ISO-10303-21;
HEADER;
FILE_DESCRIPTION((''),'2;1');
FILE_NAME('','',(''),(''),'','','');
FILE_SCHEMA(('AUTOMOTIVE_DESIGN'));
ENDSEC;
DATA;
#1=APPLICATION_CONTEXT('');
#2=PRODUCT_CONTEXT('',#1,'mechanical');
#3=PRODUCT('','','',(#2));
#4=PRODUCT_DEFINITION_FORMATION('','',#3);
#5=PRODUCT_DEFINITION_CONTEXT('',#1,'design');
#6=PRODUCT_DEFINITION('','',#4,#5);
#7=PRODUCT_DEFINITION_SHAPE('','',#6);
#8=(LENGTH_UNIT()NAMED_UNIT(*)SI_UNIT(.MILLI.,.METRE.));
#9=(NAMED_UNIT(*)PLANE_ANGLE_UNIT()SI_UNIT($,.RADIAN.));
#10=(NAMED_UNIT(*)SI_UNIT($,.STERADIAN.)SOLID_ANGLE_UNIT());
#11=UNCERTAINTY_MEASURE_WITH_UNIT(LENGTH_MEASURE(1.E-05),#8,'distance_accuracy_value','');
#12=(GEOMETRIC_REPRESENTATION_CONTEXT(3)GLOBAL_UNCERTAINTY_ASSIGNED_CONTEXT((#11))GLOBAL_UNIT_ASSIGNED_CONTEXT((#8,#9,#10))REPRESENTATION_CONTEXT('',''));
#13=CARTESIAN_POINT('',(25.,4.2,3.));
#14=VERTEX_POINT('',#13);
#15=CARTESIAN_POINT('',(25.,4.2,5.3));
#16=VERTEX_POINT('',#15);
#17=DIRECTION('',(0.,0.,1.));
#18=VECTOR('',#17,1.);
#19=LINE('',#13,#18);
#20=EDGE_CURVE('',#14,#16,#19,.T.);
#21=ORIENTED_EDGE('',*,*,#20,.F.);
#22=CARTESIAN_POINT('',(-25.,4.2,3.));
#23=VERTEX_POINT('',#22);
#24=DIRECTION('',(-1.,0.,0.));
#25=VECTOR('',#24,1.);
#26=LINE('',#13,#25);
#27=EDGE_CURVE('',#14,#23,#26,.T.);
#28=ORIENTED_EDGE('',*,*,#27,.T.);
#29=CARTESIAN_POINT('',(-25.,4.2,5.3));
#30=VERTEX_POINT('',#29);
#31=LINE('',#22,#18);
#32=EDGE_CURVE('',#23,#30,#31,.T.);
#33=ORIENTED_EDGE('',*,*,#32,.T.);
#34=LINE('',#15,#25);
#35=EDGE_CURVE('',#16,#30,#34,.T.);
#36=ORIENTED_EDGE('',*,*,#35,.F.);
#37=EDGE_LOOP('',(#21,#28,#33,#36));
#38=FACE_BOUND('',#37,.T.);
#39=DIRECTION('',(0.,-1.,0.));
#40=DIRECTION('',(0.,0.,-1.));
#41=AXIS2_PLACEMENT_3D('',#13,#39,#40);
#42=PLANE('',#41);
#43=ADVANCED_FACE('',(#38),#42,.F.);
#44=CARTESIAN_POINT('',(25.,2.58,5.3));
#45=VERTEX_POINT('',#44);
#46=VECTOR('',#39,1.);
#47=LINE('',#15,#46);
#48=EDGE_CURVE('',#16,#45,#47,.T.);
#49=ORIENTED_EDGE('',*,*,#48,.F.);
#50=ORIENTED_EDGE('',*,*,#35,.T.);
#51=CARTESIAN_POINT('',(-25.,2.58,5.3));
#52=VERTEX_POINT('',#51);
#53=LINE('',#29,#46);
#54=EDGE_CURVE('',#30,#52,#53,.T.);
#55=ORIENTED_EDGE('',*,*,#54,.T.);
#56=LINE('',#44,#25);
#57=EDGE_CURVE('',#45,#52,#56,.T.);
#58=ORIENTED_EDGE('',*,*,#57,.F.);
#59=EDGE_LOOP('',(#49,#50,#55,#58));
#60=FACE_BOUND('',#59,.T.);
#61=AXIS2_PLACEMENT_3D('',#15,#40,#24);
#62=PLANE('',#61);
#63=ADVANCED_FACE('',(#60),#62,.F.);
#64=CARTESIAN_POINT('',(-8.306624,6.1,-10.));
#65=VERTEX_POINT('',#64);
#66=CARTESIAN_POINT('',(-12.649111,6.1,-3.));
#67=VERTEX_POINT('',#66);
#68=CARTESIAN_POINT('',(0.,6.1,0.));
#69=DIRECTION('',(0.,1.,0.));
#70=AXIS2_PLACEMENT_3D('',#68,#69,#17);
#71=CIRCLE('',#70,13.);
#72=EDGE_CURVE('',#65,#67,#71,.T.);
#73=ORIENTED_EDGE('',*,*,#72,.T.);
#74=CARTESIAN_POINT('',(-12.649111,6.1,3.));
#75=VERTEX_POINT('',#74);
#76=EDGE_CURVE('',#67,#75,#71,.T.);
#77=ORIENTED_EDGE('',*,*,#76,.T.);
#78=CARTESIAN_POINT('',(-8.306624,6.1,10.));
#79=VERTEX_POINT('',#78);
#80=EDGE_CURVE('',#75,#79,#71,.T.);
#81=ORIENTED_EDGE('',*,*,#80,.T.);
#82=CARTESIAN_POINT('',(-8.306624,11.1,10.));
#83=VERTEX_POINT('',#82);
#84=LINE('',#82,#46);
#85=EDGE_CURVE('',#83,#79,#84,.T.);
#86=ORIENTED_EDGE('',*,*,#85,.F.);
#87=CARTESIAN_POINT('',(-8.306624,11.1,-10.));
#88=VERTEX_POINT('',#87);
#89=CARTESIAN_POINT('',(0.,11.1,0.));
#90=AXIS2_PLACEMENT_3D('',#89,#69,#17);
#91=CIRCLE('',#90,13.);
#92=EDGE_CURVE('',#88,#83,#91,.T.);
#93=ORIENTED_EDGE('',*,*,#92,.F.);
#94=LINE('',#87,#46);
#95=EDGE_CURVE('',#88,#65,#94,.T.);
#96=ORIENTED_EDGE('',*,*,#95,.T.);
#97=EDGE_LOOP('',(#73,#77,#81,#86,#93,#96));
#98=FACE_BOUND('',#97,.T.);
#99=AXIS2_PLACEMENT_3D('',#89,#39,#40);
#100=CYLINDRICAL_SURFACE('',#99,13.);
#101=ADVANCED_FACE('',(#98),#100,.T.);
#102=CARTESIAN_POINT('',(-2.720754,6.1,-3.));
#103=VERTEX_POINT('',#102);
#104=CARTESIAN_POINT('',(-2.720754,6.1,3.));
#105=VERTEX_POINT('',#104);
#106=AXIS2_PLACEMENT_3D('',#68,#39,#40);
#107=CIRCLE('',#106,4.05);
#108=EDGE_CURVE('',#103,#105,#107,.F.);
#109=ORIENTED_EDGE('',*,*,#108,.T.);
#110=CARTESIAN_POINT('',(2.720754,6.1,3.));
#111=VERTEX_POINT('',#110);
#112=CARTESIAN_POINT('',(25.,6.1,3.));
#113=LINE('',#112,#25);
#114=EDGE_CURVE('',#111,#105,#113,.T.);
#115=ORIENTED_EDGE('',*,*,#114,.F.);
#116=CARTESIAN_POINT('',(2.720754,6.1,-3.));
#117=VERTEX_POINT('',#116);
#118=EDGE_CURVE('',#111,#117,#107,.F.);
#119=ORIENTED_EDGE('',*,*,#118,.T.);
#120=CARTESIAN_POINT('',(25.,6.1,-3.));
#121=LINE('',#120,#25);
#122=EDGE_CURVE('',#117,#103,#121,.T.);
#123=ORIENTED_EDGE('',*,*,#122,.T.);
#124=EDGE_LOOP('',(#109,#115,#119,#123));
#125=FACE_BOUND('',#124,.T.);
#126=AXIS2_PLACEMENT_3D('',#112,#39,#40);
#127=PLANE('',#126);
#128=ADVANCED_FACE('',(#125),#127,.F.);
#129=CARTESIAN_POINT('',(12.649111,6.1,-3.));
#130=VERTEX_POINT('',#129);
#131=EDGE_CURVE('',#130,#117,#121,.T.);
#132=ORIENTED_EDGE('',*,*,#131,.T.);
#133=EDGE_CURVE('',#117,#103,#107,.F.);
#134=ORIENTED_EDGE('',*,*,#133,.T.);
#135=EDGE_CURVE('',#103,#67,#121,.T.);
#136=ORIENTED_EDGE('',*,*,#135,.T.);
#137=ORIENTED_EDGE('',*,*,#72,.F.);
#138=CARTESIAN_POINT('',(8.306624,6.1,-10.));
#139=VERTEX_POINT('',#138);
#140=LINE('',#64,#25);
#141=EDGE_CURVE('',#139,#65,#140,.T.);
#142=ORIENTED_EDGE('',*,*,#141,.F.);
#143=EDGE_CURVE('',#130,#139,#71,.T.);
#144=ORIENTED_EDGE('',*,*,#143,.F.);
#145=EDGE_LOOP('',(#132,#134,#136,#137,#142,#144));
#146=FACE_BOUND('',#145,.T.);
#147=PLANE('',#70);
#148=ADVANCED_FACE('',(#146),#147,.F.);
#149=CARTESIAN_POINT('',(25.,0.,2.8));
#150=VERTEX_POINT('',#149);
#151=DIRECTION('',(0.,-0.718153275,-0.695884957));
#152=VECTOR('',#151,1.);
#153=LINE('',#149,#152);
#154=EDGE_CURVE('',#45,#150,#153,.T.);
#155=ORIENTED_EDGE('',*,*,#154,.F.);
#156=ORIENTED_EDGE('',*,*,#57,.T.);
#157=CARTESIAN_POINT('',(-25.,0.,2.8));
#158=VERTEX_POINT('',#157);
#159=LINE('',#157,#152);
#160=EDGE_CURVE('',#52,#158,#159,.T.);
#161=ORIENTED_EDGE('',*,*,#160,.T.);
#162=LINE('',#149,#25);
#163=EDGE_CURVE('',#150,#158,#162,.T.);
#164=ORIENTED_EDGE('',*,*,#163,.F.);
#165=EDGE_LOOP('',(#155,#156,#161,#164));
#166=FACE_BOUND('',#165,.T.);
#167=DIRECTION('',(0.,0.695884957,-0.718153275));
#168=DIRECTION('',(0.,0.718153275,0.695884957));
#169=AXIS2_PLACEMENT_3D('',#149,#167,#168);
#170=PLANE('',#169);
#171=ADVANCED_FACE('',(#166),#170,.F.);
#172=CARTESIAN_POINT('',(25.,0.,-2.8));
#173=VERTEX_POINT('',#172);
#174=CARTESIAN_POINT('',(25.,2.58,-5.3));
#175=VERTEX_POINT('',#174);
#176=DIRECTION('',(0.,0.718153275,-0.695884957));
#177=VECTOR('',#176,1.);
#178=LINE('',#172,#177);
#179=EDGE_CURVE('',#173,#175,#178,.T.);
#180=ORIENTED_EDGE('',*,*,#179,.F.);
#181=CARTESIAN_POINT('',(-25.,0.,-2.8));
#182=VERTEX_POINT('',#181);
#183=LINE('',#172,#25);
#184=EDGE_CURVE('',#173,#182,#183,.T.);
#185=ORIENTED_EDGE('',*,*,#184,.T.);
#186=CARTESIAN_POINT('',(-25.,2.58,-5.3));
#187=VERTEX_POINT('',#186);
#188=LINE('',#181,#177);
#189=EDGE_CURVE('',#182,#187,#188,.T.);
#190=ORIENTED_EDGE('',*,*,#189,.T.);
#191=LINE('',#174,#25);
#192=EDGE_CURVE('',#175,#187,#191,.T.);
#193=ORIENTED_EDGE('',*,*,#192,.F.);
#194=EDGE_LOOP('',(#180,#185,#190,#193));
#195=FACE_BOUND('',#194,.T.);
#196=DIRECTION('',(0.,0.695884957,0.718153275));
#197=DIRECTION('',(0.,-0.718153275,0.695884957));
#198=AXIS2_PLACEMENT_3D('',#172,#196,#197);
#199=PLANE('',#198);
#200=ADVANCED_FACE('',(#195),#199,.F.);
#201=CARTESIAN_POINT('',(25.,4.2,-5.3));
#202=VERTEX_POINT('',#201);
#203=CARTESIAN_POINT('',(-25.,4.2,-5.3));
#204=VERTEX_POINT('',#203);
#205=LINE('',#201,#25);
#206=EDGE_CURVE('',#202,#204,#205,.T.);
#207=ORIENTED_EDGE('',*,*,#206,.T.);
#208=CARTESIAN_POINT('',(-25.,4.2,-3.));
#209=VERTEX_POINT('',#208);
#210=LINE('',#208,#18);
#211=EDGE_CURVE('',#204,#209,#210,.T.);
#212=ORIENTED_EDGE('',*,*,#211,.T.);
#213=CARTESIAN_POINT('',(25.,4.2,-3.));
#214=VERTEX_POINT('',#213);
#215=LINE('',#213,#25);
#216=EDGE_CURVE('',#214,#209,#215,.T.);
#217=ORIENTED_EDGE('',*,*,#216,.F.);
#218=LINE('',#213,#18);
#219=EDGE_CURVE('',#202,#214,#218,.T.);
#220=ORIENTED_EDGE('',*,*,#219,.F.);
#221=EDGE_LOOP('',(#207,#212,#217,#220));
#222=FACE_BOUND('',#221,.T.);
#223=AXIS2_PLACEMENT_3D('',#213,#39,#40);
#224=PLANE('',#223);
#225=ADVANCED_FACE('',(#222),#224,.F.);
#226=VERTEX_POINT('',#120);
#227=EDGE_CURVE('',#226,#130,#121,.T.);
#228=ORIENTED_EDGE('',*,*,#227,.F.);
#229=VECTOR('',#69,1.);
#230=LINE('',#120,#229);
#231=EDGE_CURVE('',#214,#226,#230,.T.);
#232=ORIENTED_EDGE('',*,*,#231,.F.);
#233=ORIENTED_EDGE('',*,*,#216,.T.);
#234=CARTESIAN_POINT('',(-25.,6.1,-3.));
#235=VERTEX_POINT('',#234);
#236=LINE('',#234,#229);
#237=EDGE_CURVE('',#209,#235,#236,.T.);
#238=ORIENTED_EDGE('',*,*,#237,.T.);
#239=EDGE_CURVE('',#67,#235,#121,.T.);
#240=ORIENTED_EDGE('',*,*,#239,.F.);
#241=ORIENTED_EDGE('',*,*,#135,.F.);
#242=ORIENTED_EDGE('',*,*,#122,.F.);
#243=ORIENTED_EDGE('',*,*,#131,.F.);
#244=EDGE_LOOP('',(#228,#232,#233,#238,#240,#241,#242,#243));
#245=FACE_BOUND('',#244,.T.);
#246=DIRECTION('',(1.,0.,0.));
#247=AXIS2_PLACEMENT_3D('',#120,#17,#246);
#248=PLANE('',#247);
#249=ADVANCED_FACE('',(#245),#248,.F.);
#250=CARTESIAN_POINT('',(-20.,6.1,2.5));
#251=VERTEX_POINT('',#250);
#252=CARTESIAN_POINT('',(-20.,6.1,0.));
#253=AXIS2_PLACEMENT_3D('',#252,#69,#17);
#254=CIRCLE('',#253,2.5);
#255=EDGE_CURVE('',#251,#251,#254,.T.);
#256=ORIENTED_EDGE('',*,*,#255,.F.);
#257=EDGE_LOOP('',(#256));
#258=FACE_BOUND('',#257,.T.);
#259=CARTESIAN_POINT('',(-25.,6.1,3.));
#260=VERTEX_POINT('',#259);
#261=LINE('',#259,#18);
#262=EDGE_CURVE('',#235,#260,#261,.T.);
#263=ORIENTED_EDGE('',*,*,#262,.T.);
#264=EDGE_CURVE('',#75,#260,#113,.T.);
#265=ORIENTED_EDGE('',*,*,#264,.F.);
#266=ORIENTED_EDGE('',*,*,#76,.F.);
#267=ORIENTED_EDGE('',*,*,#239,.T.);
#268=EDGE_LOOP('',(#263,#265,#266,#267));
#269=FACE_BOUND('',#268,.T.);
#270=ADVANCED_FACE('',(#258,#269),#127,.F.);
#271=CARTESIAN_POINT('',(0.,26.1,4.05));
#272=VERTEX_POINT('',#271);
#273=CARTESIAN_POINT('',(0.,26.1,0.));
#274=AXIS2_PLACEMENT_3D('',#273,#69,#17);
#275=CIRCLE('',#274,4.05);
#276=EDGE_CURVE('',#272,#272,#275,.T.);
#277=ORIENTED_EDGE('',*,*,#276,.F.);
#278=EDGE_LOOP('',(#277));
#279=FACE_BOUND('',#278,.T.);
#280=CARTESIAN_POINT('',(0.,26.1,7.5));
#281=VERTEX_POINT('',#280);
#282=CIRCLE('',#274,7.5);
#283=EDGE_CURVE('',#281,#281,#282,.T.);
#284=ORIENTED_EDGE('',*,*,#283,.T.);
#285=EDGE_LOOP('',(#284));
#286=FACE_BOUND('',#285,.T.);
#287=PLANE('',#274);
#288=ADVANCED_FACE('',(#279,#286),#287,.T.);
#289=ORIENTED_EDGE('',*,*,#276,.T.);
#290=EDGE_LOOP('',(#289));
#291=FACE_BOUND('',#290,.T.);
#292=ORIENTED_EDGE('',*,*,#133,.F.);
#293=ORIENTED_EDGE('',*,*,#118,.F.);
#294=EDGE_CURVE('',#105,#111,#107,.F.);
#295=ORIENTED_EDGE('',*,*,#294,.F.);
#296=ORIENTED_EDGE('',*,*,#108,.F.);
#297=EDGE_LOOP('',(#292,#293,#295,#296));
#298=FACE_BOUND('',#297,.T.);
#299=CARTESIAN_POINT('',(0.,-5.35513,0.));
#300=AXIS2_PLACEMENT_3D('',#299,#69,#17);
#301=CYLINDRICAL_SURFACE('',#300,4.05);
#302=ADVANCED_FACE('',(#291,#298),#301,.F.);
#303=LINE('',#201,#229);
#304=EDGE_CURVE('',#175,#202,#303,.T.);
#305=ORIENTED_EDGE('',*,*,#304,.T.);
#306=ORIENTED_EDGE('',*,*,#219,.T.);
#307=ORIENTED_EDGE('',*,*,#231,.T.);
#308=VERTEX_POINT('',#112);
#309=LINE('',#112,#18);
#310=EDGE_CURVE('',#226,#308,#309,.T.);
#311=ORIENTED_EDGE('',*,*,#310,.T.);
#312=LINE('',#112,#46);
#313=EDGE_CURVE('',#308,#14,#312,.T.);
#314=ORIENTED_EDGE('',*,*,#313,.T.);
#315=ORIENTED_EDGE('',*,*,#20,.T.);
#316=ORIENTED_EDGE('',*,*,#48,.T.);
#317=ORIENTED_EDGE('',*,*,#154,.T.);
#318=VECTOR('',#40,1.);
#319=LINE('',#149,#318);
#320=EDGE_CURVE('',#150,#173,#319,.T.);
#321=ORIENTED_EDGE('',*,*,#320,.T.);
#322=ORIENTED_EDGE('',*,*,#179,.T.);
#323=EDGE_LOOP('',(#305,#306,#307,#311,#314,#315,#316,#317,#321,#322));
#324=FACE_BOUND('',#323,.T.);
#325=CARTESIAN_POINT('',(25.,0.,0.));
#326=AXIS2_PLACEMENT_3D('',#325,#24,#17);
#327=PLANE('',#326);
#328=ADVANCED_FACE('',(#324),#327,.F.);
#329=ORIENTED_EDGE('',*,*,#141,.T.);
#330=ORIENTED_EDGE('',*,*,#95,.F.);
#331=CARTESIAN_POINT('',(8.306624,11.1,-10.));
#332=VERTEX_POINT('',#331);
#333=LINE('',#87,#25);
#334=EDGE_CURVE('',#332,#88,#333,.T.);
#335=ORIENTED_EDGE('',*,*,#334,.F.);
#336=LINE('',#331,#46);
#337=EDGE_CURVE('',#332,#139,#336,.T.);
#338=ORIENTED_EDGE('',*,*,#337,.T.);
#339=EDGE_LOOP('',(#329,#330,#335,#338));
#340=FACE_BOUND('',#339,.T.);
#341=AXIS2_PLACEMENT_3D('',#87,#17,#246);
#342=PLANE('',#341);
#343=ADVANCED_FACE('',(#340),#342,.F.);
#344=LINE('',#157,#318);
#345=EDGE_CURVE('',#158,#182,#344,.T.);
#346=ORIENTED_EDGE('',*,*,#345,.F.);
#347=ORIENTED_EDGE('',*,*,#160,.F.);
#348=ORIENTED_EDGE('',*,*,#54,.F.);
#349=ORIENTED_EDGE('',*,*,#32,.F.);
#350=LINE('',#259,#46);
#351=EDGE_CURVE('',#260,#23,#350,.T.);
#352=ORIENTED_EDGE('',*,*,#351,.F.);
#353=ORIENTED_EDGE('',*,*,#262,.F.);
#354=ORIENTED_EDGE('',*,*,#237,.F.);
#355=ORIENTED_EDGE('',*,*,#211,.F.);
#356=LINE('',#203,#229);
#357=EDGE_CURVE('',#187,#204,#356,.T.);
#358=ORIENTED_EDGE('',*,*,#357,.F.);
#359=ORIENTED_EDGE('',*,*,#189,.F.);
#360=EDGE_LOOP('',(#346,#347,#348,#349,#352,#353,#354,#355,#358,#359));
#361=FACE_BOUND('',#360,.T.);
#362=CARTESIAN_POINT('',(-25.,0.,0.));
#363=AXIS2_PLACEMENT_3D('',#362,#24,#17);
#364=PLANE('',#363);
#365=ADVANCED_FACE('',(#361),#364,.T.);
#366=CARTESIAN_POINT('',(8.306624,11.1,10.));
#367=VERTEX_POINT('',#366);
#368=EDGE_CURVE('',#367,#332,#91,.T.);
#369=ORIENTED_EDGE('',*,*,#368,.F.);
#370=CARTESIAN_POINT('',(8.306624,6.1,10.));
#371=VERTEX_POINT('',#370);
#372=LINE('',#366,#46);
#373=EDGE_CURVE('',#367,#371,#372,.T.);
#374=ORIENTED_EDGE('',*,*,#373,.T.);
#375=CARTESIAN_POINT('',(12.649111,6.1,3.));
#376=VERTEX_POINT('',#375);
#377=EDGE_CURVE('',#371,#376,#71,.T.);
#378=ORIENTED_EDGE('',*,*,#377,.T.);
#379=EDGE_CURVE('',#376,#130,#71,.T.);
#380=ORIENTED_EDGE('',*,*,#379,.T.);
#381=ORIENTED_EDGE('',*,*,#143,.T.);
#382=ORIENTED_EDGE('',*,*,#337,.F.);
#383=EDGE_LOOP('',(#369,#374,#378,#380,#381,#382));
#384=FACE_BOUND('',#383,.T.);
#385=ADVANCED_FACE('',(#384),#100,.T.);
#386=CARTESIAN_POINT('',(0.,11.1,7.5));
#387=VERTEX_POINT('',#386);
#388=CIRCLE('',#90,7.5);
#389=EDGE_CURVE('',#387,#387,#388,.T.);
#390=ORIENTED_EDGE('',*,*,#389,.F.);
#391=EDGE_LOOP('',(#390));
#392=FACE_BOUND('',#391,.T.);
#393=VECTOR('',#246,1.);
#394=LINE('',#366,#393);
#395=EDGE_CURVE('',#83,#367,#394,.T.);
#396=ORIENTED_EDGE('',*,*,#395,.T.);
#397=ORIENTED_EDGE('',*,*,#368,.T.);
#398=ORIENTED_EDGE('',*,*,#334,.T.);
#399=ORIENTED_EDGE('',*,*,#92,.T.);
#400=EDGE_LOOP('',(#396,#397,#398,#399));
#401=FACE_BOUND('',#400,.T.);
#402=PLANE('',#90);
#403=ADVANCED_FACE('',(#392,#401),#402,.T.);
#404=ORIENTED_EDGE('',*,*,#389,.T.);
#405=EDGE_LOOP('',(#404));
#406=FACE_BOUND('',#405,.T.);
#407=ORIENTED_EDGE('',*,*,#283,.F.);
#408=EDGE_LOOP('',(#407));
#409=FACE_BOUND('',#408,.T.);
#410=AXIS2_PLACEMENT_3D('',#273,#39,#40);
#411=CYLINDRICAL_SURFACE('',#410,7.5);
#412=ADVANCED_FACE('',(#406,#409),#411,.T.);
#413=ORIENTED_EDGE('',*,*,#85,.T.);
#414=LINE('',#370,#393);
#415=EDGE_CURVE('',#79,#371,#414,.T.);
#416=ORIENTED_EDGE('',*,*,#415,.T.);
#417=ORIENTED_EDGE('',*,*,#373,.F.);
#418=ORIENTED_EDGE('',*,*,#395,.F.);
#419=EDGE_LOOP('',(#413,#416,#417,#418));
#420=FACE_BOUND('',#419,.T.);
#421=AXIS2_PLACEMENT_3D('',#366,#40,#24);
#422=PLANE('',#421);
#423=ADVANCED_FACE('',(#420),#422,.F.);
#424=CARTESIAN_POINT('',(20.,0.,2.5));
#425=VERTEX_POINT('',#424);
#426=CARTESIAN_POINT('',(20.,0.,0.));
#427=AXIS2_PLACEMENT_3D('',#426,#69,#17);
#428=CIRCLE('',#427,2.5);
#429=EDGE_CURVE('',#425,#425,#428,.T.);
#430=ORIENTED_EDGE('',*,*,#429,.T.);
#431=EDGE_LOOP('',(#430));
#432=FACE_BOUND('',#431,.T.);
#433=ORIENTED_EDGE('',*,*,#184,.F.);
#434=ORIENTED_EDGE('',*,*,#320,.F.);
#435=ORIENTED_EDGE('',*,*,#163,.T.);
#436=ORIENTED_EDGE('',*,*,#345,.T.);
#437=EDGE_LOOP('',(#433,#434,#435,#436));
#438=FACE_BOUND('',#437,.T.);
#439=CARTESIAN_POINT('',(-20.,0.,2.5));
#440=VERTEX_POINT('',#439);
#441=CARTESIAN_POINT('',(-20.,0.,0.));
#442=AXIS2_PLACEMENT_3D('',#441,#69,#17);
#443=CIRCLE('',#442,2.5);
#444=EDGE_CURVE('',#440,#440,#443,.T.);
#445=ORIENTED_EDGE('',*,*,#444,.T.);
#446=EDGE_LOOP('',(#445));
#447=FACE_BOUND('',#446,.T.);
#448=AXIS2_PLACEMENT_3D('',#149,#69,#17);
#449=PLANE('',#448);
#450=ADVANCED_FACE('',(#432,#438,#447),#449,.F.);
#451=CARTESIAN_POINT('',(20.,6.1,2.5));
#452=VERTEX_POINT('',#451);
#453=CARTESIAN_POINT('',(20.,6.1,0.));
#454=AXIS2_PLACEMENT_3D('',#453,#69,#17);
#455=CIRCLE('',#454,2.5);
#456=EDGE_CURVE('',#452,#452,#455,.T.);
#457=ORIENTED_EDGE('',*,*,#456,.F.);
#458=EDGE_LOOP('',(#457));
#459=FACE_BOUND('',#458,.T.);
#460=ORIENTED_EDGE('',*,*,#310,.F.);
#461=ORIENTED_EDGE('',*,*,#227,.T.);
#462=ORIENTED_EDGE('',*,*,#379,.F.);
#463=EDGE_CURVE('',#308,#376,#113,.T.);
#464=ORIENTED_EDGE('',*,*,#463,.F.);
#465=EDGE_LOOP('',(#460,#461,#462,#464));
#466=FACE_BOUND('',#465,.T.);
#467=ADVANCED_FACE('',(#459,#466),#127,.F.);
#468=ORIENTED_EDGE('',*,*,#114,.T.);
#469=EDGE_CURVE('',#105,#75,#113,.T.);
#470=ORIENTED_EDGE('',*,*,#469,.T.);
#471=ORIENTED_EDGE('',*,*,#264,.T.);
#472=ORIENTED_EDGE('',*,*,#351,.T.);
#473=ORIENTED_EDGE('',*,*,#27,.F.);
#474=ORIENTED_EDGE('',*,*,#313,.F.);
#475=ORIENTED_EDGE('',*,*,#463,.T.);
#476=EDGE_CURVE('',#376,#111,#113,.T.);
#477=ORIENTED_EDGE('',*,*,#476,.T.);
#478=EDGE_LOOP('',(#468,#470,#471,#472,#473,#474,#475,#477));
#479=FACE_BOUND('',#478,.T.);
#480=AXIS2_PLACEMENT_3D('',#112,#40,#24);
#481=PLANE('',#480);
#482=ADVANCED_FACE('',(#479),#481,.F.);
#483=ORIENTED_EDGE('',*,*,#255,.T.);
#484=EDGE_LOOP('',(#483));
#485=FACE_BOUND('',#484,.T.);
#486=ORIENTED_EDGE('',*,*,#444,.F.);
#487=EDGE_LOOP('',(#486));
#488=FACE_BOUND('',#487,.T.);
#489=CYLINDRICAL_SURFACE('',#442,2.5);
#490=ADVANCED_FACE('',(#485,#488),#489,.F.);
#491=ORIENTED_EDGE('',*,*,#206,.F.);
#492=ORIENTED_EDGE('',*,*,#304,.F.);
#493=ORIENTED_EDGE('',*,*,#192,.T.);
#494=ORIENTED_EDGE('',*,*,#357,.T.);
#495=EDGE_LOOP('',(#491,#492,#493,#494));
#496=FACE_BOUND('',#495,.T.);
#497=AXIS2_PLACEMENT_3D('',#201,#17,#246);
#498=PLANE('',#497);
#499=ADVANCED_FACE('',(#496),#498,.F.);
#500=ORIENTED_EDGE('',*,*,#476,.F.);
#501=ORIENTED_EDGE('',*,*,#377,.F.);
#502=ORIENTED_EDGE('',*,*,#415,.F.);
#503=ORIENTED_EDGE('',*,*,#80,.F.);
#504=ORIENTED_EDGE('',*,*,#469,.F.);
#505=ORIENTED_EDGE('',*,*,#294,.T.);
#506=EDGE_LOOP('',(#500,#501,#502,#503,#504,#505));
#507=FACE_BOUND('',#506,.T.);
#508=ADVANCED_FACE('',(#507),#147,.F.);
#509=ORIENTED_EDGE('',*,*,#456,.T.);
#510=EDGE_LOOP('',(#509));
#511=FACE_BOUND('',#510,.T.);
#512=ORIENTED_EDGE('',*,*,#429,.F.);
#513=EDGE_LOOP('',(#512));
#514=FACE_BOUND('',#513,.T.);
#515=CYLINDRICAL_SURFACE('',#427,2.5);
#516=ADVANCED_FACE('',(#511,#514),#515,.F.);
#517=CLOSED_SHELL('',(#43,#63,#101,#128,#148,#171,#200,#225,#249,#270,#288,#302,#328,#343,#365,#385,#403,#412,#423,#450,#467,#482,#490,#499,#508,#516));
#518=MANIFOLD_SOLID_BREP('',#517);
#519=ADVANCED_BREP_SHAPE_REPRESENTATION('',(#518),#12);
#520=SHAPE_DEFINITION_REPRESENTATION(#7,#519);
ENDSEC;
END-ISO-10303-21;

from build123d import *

# Parameters (mm, degrees)
BOSS_EXTRUDE1_DEPTH = 25
BOSS_EXTRUDE3_DEPTH = 5
SKETCH6_R           = 7.5
BOSS_EXTRUDE4_DEPTH = 15
SKETCH7_R           = 4.05
CUT_EXTRUDE1_DEPTH  = 20
SKETCH8_R           = 2.5
CUT_EXTRUDE2_DEPTH  = 34.541019662


with BuildPart() as part:
    # Sketch2 → Boss-Extrude1 (new, symmetric)
    with BuildSketch(Plane(origin=(0, 0, 0), x_dir=(0, 0, -1), z_dir=(1, 0, 0))):
        Polygon((-3, 6.1), (3, 6.1), (3, 4.2), (5.3, 4.2), (5.3, 2.58), (2.8, 0), (-2.8, 0), (-5.3, 2.58), (-5.3, 4.2), (-3, 4.2), align=None)
    extrude(amount=BOSS_EXTRUDE1_DEPTH, both=True)

    # Sketch5 → Boss-Extrude3 (add)
    with BuildSketch(Plane(origin=(0, 6.1, 0), x_dir=(1, 0, 0), z_dir=(0, 1, 0))):
        with BuildLine():
            Line((8.306623863, -10), (-8.306623863, -10))
            ThreePointArc((-8.306623863, -10), (-13, 0), (-8.306623863, 10))
            Line((-8.306623863, 10), (8.306623863, 10))
            ThreePointArc((8.306623863, 10), (13, 0), (8.306623863, -10))
        make_face()
    extrude(amount=BOSS_EXTRUDE3_DEPTH)

    # Sketch6 → Boss-Extrude4 (add)
    with BuildSketch(Plane(origin=(0, 11.1, 0), x_dir=(1, 0, 0), z_dir=(0, 1, 0))):
        with Locations(Location((0, 0, 0), (0, 0, 270))):
            Circle(SKETCH6_R)
    extrude(amount=BOSS_EXTRUDE4_DEPTH)

    # Sketch7 → Cut-Extrude1 (cut)
    with BuildSketch(Plane(origin=(0, 26.1, 0), x_dir=(1, 0, 0), z_dir=(0, 1, 0))):
        with Locations(Location((0, 0, 0), (0, 0, 270))):
            Circle(SKETCH7_R)
    extrude(amount=-CUT_EXTRUDE1_DEPTH, mode=Mode.SUBTRACT)

    # Sketch8 → Cut-Extrude2 (cut, through all)
    with BuildSketch(Plane(origin=(0, 6.1, 0), x_dir=(1, 0, 0), z_dir=(0, 1, 0))):
        with Locations(Location((20, 0, 0), (0, 0, 270))):
            Circle(SKETCH8_R)
        with Locations(Location((-20, 0, 0), (0, 0, 270))):
            Circle(SKETCH8_R)
    extrude(amount=-CUT_EXTRUDE2_DEPTH, mode=Mode.SUBTRACT)


solid = part.part
